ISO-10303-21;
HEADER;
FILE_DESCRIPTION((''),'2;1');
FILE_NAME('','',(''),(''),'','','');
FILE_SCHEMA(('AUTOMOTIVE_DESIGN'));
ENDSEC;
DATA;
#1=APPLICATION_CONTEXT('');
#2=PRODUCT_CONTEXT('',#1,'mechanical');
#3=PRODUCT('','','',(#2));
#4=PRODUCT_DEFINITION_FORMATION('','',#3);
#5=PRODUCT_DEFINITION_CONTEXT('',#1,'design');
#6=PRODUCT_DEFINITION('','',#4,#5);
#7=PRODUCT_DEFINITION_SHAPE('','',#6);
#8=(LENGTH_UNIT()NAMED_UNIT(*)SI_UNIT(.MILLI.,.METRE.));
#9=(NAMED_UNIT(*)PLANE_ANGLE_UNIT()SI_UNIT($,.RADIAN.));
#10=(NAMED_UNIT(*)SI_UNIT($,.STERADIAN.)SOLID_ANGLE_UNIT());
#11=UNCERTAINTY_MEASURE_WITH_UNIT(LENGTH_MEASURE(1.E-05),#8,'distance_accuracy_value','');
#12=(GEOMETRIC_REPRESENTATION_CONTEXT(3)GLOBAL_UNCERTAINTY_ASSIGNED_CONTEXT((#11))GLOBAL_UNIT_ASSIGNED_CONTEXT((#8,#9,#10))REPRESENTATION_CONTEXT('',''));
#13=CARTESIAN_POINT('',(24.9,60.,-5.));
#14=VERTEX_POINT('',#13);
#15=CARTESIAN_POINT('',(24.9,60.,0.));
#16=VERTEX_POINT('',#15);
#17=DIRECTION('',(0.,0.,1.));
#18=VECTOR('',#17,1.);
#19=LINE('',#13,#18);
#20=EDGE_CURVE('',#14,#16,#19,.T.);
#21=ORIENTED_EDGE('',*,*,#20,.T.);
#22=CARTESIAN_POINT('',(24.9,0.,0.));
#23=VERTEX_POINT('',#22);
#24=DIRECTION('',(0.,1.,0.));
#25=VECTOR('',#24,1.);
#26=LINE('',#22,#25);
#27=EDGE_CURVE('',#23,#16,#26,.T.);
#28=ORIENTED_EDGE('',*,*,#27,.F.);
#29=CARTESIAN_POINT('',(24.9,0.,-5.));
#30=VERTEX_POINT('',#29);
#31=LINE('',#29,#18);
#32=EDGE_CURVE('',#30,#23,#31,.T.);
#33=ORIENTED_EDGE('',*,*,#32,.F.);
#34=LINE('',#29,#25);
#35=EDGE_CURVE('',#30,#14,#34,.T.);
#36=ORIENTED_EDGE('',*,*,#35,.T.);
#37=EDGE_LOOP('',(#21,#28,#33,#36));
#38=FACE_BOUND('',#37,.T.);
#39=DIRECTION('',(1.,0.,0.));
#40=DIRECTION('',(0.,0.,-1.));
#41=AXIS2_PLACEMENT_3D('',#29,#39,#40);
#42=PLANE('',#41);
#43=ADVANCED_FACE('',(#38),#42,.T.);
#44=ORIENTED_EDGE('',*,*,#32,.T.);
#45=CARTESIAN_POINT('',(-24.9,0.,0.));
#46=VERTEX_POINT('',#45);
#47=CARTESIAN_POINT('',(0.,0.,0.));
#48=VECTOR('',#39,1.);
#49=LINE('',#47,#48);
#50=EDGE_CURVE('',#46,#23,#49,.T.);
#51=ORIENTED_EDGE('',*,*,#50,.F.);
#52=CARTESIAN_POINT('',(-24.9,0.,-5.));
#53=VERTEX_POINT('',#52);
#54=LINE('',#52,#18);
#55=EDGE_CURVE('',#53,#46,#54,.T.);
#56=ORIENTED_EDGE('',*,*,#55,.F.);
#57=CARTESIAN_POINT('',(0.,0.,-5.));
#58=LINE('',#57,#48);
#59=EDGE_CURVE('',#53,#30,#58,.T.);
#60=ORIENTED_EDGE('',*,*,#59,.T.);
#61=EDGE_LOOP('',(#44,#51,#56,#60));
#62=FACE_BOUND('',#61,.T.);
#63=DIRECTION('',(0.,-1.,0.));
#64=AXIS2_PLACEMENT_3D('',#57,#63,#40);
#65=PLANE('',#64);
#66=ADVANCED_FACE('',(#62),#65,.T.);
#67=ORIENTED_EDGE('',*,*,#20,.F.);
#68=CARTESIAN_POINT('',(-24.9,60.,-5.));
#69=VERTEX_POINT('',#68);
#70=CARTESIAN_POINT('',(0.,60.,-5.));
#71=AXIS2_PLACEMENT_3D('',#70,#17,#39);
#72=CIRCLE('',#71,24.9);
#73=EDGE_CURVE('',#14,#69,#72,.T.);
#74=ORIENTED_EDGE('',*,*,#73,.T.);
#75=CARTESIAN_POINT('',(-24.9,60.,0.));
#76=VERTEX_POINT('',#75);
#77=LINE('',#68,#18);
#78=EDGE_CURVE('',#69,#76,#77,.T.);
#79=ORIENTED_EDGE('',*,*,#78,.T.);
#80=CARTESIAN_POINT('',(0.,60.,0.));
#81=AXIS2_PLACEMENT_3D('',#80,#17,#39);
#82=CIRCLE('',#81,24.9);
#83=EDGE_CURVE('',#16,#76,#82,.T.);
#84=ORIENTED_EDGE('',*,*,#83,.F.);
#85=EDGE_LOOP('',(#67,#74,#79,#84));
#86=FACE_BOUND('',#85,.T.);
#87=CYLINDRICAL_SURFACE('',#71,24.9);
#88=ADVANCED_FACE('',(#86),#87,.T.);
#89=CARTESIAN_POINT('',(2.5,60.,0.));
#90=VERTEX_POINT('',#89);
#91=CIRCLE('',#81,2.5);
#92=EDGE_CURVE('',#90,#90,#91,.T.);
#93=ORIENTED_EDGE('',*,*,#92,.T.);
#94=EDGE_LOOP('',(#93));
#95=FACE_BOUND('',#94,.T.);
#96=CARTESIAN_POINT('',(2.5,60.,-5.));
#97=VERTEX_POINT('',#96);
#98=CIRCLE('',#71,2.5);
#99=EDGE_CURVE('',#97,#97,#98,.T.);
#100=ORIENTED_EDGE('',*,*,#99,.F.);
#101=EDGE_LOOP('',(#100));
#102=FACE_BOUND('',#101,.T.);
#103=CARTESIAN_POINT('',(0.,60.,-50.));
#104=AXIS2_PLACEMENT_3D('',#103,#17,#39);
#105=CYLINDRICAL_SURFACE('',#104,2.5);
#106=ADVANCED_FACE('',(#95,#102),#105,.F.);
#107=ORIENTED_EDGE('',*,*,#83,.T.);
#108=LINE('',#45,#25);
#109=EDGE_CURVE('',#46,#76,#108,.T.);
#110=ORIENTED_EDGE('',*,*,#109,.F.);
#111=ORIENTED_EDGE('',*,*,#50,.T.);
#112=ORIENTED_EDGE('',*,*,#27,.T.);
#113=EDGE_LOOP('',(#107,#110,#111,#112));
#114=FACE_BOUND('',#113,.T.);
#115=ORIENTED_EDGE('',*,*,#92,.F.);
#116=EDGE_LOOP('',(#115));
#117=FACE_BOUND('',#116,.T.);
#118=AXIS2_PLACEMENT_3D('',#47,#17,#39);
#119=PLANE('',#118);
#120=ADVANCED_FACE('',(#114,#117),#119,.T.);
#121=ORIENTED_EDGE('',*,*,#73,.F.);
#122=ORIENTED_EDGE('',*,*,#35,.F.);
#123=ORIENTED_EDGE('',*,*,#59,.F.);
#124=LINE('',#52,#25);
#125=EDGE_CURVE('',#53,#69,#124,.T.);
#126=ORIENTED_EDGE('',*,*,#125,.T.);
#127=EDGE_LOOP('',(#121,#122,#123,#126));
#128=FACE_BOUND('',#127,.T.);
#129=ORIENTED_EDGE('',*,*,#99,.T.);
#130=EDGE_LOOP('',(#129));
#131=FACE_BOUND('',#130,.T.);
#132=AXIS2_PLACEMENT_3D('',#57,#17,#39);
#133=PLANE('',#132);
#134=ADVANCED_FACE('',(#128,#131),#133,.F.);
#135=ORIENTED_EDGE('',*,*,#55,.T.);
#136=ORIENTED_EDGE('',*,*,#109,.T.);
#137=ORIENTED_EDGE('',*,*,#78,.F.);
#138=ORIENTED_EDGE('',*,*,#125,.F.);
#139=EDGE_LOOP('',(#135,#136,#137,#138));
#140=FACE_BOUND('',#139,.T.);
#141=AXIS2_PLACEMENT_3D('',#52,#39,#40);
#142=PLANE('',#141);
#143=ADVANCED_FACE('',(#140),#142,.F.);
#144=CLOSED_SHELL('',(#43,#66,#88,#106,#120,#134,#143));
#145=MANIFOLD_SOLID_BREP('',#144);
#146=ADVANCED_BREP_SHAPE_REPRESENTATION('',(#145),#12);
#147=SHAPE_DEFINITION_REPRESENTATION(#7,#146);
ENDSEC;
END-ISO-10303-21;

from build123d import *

# Parameters (mm, degrees)
BOSS_EXTRUDE1_DEPTH = 5
SKETCH2_R           = 2.5
CUT_EXTRUDE1_DEPTH  = 50


with BuildPart() as part:
    # Sketch1 → Boss-Extrude1 (new body)
    with BuildSketch(Plane.XY):
        with BuildLine():
            ThreePointArc((24.9, 60), (0, 84.9), (-24.9, 60))
            Line((-24.9, 60), (24.9, 60))
        make_face()
        with BuildLine():
            Line((24.9, 60), (-24.9, 60))
            ThreePointArc((-24.9, 60), (0, 35.1), (24.9, 60))
        make_face()
        with BuildLine():
            Line((-24.9, 60), (-24.9, 0))
            Line((-24.9, 0), (24.9, 0))
            Line((24.9, 0), (24.9, 60))
            ThreePointArc((24.9, 60), (0, 35.1), (-24.9, 60))
        make_face()
    extrude(amount=-BOSS_EXTRUDE1_DEPTH)

    # Sketch2 → Cut-Extrude1 (cut)
    with BuildSketch(Plane.XY):
        with Locations((0, 60)):
            Circle(SKETCH2_R)
    extrude(amount=-CUT_EXTRUDE1_DEPTH, mode=Mode.SUBTRACT)


solid = part.part
